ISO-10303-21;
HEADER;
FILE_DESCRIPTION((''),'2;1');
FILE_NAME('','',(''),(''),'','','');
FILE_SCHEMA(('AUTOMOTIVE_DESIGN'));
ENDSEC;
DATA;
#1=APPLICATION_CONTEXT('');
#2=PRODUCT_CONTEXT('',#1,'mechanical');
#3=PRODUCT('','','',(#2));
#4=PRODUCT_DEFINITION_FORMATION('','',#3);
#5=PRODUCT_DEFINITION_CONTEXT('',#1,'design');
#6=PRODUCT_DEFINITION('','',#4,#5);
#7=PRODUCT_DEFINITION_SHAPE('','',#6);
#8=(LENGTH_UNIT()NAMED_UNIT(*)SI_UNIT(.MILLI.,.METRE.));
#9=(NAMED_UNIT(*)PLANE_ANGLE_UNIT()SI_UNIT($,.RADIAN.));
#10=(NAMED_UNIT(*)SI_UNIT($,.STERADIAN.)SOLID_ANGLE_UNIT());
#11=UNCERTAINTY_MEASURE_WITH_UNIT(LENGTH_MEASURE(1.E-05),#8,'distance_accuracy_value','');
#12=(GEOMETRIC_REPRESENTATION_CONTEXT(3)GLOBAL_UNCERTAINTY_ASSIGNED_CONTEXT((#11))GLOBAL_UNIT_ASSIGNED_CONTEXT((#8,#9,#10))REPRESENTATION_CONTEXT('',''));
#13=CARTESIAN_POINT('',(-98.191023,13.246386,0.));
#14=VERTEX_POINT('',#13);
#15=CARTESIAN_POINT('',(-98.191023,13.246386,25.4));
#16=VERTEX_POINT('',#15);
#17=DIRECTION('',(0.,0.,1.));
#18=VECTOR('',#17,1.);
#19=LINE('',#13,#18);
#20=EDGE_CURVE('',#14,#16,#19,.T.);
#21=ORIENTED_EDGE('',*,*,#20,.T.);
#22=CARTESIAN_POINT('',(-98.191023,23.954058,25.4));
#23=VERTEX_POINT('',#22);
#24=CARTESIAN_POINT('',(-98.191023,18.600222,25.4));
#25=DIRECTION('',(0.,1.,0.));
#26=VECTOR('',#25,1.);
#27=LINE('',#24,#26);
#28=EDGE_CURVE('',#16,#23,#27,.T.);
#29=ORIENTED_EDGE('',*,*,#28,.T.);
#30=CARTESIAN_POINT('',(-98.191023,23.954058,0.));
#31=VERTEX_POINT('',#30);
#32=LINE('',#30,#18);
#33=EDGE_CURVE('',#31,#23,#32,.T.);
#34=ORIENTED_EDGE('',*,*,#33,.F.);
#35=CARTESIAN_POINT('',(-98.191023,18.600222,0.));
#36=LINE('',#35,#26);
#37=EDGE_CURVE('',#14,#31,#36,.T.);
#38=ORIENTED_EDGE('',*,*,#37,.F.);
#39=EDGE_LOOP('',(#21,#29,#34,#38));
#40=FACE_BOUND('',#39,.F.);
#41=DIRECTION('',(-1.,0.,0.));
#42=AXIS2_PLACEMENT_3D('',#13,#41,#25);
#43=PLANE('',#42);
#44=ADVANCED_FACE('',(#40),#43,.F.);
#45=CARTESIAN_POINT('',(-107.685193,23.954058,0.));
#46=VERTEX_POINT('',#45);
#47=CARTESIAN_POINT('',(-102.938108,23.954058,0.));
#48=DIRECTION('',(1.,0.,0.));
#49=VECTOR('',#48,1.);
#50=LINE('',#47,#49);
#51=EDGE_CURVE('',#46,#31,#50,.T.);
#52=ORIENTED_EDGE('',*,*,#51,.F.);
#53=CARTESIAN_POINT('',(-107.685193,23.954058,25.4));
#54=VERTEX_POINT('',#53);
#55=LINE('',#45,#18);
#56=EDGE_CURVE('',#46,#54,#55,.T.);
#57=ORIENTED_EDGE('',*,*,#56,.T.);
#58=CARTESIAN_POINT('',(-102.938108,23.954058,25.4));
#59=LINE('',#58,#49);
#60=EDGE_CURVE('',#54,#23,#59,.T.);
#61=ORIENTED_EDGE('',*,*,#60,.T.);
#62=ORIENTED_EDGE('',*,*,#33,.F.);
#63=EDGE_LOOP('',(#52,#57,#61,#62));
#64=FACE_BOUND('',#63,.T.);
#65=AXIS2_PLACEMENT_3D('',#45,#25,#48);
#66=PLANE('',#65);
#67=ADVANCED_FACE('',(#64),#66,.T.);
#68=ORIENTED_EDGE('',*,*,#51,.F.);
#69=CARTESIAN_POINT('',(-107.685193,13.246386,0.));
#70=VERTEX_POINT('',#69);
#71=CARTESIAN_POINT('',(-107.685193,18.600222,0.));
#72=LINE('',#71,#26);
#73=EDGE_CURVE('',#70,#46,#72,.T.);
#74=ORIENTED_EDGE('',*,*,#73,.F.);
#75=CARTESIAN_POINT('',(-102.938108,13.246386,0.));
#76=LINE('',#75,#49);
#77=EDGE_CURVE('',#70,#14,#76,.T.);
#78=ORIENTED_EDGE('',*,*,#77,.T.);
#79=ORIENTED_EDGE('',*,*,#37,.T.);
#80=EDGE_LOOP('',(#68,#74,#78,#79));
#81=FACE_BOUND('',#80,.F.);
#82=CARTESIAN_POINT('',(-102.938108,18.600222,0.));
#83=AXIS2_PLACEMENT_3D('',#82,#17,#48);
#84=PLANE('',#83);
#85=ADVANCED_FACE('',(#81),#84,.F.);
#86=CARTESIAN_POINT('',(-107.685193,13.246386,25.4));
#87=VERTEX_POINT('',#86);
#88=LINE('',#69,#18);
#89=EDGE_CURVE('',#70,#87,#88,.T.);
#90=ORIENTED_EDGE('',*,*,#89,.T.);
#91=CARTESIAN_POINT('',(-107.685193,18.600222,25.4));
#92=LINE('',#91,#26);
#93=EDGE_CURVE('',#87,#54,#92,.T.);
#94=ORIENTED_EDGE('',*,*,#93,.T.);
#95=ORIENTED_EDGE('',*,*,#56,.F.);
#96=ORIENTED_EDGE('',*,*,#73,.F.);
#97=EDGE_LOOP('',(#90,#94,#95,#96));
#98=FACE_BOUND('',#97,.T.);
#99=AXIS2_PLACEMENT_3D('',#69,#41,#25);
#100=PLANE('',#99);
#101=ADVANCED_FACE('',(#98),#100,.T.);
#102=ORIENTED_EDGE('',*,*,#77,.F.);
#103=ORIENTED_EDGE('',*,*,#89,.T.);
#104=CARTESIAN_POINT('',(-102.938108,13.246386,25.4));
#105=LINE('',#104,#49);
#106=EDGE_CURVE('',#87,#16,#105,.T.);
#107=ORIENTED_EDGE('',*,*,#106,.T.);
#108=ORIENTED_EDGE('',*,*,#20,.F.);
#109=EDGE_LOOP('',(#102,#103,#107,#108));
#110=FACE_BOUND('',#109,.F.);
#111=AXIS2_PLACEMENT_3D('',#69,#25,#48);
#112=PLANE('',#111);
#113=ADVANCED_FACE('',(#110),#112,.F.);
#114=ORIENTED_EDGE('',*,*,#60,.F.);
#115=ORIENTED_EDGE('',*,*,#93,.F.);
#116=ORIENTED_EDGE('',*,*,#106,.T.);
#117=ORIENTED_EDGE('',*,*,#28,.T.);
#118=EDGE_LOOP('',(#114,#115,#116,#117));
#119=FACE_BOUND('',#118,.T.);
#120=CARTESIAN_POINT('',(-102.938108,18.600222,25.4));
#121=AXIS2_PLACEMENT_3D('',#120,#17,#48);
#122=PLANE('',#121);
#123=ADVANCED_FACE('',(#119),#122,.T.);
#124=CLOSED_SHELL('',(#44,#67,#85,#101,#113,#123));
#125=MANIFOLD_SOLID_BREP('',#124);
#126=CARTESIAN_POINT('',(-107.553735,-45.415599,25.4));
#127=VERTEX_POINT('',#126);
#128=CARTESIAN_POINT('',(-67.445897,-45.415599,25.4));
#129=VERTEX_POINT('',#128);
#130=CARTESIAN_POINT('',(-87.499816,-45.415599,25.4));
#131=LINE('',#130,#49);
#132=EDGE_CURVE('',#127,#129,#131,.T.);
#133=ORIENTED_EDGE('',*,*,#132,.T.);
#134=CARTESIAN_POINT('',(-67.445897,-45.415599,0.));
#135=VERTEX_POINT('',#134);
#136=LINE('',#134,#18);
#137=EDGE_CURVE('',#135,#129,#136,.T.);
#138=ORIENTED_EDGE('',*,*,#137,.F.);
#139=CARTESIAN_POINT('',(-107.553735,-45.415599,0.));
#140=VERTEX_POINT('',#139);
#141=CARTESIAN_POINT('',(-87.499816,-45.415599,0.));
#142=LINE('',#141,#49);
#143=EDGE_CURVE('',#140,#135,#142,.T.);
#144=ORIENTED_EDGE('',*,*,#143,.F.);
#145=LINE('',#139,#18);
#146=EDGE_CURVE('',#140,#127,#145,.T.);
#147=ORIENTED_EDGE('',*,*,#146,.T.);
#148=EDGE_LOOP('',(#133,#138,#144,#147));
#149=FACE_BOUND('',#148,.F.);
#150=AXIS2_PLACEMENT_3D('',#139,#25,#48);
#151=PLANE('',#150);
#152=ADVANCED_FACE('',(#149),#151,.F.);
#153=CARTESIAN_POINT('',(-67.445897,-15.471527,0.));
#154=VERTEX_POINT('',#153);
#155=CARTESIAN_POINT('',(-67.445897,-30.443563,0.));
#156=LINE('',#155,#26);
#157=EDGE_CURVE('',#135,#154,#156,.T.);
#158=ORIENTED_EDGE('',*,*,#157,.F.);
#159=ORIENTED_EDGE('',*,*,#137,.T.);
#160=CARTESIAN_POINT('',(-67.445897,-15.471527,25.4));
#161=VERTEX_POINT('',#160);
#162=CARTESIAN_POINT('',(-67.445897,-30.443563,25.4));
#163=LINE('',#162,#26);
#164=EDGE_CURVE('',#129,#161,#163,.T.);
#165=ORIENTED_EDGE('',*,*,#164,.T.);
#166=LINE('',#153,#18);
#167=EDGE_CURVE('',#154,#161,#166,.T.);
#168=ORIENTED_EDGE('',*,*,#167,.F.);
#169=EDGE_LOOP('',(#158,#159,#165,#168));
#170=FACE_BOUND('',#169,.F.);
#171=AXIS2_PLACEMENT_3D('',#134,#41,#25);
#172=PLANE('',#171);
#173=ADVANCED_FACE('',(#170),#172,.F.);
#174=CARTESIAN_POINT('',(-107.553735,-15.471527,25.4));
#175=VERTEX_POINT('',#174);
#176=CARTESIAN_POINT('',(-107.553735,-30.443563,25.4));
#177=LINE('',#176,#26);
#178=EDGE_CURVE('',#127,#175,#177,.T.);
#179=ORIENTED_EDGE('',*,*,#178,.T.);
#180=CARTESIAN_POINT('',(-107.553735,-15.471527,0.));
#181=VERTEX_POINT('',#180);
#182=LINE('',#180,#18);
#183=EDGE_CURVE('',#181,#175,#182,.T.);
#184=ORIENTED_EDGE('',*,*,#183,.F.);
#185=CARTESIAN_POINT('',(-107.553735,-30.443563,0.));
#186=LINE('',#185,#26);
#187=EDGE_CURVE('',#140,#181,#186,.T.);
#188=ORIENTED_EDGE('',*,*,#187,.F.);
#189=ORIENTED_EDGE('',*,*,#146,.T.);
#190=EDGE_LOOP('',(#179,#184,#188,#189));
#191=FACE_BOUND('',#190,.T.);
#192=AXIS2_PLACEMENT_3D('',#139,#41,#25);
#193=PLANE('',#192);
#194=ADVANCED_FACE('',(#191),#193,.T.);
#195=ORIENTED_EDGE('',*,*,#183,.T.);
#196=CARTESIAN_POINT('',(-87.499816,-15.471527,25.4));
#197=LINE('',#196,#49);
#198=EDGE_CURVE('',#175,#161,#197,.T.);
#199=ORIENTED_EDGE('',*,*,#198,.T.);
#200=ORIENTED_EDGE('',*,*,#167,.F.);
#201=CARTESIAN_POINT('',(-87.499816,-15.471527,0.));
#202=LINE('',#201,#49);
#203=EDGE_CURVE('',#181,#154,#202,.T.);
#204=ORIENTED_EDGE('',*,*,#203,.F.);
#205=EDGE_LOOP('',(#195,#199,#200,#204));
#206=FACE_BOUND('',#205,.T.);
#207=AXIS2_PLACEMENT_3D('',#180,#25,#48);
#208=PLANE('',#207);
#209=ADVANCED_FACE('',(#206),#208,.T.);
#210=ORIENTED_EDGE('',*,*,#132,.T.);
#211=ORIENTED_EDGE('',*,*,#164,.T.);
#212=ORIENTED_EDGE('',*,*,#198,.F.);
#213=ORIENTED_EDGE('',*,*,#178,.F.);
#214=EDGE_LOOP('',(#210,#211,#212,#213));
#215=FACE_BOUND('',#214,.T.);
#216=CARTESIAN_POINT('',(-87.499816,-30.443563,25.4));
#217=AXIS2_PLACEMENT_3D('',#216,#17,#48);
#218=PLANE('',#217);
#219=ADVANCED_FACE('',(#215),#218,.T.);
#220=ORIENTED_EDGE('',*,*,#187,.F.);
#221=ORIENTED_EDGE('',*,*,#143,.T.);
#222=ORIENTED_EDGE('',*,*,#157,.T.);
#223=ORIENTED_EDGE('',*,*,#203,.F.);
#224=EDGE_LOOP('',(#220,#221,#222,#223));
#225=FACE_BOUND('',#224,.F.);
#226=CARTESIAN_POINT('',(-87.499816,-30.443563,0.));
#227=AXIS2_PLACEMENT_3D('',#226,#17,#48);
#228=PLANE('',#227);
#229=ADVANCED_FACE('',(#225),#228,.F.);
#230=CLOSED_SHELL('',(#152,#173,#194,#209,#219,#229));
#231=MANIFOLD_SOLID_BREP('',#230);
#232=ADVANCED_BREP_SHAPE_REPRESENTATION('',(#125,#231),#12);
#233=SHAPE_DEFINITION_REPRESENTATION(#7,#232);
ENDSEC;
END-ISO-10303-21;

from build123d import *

# Parameters (mm, degrees)
F0_W     = 9.49417
F0_H     = 10.707672
F0_W_2   = 40.107838
F0_H_2   = 29.944072
F1_DEPTH = 25.4


with BuildPart() as f1:
    # F0 (on Top) → F1 (new body)
    with BuildSketch(Plane.XY):
        with Locations((-102.938108, 18.600222)):
            Rectangle(F0_W, F0_H)
        with Locations((-87.499816, -30.443563)):
            Rectangle(F0_W_2, F0_H_2)
    extrude(amount=F1_DEPTH)


solid = f1.part
